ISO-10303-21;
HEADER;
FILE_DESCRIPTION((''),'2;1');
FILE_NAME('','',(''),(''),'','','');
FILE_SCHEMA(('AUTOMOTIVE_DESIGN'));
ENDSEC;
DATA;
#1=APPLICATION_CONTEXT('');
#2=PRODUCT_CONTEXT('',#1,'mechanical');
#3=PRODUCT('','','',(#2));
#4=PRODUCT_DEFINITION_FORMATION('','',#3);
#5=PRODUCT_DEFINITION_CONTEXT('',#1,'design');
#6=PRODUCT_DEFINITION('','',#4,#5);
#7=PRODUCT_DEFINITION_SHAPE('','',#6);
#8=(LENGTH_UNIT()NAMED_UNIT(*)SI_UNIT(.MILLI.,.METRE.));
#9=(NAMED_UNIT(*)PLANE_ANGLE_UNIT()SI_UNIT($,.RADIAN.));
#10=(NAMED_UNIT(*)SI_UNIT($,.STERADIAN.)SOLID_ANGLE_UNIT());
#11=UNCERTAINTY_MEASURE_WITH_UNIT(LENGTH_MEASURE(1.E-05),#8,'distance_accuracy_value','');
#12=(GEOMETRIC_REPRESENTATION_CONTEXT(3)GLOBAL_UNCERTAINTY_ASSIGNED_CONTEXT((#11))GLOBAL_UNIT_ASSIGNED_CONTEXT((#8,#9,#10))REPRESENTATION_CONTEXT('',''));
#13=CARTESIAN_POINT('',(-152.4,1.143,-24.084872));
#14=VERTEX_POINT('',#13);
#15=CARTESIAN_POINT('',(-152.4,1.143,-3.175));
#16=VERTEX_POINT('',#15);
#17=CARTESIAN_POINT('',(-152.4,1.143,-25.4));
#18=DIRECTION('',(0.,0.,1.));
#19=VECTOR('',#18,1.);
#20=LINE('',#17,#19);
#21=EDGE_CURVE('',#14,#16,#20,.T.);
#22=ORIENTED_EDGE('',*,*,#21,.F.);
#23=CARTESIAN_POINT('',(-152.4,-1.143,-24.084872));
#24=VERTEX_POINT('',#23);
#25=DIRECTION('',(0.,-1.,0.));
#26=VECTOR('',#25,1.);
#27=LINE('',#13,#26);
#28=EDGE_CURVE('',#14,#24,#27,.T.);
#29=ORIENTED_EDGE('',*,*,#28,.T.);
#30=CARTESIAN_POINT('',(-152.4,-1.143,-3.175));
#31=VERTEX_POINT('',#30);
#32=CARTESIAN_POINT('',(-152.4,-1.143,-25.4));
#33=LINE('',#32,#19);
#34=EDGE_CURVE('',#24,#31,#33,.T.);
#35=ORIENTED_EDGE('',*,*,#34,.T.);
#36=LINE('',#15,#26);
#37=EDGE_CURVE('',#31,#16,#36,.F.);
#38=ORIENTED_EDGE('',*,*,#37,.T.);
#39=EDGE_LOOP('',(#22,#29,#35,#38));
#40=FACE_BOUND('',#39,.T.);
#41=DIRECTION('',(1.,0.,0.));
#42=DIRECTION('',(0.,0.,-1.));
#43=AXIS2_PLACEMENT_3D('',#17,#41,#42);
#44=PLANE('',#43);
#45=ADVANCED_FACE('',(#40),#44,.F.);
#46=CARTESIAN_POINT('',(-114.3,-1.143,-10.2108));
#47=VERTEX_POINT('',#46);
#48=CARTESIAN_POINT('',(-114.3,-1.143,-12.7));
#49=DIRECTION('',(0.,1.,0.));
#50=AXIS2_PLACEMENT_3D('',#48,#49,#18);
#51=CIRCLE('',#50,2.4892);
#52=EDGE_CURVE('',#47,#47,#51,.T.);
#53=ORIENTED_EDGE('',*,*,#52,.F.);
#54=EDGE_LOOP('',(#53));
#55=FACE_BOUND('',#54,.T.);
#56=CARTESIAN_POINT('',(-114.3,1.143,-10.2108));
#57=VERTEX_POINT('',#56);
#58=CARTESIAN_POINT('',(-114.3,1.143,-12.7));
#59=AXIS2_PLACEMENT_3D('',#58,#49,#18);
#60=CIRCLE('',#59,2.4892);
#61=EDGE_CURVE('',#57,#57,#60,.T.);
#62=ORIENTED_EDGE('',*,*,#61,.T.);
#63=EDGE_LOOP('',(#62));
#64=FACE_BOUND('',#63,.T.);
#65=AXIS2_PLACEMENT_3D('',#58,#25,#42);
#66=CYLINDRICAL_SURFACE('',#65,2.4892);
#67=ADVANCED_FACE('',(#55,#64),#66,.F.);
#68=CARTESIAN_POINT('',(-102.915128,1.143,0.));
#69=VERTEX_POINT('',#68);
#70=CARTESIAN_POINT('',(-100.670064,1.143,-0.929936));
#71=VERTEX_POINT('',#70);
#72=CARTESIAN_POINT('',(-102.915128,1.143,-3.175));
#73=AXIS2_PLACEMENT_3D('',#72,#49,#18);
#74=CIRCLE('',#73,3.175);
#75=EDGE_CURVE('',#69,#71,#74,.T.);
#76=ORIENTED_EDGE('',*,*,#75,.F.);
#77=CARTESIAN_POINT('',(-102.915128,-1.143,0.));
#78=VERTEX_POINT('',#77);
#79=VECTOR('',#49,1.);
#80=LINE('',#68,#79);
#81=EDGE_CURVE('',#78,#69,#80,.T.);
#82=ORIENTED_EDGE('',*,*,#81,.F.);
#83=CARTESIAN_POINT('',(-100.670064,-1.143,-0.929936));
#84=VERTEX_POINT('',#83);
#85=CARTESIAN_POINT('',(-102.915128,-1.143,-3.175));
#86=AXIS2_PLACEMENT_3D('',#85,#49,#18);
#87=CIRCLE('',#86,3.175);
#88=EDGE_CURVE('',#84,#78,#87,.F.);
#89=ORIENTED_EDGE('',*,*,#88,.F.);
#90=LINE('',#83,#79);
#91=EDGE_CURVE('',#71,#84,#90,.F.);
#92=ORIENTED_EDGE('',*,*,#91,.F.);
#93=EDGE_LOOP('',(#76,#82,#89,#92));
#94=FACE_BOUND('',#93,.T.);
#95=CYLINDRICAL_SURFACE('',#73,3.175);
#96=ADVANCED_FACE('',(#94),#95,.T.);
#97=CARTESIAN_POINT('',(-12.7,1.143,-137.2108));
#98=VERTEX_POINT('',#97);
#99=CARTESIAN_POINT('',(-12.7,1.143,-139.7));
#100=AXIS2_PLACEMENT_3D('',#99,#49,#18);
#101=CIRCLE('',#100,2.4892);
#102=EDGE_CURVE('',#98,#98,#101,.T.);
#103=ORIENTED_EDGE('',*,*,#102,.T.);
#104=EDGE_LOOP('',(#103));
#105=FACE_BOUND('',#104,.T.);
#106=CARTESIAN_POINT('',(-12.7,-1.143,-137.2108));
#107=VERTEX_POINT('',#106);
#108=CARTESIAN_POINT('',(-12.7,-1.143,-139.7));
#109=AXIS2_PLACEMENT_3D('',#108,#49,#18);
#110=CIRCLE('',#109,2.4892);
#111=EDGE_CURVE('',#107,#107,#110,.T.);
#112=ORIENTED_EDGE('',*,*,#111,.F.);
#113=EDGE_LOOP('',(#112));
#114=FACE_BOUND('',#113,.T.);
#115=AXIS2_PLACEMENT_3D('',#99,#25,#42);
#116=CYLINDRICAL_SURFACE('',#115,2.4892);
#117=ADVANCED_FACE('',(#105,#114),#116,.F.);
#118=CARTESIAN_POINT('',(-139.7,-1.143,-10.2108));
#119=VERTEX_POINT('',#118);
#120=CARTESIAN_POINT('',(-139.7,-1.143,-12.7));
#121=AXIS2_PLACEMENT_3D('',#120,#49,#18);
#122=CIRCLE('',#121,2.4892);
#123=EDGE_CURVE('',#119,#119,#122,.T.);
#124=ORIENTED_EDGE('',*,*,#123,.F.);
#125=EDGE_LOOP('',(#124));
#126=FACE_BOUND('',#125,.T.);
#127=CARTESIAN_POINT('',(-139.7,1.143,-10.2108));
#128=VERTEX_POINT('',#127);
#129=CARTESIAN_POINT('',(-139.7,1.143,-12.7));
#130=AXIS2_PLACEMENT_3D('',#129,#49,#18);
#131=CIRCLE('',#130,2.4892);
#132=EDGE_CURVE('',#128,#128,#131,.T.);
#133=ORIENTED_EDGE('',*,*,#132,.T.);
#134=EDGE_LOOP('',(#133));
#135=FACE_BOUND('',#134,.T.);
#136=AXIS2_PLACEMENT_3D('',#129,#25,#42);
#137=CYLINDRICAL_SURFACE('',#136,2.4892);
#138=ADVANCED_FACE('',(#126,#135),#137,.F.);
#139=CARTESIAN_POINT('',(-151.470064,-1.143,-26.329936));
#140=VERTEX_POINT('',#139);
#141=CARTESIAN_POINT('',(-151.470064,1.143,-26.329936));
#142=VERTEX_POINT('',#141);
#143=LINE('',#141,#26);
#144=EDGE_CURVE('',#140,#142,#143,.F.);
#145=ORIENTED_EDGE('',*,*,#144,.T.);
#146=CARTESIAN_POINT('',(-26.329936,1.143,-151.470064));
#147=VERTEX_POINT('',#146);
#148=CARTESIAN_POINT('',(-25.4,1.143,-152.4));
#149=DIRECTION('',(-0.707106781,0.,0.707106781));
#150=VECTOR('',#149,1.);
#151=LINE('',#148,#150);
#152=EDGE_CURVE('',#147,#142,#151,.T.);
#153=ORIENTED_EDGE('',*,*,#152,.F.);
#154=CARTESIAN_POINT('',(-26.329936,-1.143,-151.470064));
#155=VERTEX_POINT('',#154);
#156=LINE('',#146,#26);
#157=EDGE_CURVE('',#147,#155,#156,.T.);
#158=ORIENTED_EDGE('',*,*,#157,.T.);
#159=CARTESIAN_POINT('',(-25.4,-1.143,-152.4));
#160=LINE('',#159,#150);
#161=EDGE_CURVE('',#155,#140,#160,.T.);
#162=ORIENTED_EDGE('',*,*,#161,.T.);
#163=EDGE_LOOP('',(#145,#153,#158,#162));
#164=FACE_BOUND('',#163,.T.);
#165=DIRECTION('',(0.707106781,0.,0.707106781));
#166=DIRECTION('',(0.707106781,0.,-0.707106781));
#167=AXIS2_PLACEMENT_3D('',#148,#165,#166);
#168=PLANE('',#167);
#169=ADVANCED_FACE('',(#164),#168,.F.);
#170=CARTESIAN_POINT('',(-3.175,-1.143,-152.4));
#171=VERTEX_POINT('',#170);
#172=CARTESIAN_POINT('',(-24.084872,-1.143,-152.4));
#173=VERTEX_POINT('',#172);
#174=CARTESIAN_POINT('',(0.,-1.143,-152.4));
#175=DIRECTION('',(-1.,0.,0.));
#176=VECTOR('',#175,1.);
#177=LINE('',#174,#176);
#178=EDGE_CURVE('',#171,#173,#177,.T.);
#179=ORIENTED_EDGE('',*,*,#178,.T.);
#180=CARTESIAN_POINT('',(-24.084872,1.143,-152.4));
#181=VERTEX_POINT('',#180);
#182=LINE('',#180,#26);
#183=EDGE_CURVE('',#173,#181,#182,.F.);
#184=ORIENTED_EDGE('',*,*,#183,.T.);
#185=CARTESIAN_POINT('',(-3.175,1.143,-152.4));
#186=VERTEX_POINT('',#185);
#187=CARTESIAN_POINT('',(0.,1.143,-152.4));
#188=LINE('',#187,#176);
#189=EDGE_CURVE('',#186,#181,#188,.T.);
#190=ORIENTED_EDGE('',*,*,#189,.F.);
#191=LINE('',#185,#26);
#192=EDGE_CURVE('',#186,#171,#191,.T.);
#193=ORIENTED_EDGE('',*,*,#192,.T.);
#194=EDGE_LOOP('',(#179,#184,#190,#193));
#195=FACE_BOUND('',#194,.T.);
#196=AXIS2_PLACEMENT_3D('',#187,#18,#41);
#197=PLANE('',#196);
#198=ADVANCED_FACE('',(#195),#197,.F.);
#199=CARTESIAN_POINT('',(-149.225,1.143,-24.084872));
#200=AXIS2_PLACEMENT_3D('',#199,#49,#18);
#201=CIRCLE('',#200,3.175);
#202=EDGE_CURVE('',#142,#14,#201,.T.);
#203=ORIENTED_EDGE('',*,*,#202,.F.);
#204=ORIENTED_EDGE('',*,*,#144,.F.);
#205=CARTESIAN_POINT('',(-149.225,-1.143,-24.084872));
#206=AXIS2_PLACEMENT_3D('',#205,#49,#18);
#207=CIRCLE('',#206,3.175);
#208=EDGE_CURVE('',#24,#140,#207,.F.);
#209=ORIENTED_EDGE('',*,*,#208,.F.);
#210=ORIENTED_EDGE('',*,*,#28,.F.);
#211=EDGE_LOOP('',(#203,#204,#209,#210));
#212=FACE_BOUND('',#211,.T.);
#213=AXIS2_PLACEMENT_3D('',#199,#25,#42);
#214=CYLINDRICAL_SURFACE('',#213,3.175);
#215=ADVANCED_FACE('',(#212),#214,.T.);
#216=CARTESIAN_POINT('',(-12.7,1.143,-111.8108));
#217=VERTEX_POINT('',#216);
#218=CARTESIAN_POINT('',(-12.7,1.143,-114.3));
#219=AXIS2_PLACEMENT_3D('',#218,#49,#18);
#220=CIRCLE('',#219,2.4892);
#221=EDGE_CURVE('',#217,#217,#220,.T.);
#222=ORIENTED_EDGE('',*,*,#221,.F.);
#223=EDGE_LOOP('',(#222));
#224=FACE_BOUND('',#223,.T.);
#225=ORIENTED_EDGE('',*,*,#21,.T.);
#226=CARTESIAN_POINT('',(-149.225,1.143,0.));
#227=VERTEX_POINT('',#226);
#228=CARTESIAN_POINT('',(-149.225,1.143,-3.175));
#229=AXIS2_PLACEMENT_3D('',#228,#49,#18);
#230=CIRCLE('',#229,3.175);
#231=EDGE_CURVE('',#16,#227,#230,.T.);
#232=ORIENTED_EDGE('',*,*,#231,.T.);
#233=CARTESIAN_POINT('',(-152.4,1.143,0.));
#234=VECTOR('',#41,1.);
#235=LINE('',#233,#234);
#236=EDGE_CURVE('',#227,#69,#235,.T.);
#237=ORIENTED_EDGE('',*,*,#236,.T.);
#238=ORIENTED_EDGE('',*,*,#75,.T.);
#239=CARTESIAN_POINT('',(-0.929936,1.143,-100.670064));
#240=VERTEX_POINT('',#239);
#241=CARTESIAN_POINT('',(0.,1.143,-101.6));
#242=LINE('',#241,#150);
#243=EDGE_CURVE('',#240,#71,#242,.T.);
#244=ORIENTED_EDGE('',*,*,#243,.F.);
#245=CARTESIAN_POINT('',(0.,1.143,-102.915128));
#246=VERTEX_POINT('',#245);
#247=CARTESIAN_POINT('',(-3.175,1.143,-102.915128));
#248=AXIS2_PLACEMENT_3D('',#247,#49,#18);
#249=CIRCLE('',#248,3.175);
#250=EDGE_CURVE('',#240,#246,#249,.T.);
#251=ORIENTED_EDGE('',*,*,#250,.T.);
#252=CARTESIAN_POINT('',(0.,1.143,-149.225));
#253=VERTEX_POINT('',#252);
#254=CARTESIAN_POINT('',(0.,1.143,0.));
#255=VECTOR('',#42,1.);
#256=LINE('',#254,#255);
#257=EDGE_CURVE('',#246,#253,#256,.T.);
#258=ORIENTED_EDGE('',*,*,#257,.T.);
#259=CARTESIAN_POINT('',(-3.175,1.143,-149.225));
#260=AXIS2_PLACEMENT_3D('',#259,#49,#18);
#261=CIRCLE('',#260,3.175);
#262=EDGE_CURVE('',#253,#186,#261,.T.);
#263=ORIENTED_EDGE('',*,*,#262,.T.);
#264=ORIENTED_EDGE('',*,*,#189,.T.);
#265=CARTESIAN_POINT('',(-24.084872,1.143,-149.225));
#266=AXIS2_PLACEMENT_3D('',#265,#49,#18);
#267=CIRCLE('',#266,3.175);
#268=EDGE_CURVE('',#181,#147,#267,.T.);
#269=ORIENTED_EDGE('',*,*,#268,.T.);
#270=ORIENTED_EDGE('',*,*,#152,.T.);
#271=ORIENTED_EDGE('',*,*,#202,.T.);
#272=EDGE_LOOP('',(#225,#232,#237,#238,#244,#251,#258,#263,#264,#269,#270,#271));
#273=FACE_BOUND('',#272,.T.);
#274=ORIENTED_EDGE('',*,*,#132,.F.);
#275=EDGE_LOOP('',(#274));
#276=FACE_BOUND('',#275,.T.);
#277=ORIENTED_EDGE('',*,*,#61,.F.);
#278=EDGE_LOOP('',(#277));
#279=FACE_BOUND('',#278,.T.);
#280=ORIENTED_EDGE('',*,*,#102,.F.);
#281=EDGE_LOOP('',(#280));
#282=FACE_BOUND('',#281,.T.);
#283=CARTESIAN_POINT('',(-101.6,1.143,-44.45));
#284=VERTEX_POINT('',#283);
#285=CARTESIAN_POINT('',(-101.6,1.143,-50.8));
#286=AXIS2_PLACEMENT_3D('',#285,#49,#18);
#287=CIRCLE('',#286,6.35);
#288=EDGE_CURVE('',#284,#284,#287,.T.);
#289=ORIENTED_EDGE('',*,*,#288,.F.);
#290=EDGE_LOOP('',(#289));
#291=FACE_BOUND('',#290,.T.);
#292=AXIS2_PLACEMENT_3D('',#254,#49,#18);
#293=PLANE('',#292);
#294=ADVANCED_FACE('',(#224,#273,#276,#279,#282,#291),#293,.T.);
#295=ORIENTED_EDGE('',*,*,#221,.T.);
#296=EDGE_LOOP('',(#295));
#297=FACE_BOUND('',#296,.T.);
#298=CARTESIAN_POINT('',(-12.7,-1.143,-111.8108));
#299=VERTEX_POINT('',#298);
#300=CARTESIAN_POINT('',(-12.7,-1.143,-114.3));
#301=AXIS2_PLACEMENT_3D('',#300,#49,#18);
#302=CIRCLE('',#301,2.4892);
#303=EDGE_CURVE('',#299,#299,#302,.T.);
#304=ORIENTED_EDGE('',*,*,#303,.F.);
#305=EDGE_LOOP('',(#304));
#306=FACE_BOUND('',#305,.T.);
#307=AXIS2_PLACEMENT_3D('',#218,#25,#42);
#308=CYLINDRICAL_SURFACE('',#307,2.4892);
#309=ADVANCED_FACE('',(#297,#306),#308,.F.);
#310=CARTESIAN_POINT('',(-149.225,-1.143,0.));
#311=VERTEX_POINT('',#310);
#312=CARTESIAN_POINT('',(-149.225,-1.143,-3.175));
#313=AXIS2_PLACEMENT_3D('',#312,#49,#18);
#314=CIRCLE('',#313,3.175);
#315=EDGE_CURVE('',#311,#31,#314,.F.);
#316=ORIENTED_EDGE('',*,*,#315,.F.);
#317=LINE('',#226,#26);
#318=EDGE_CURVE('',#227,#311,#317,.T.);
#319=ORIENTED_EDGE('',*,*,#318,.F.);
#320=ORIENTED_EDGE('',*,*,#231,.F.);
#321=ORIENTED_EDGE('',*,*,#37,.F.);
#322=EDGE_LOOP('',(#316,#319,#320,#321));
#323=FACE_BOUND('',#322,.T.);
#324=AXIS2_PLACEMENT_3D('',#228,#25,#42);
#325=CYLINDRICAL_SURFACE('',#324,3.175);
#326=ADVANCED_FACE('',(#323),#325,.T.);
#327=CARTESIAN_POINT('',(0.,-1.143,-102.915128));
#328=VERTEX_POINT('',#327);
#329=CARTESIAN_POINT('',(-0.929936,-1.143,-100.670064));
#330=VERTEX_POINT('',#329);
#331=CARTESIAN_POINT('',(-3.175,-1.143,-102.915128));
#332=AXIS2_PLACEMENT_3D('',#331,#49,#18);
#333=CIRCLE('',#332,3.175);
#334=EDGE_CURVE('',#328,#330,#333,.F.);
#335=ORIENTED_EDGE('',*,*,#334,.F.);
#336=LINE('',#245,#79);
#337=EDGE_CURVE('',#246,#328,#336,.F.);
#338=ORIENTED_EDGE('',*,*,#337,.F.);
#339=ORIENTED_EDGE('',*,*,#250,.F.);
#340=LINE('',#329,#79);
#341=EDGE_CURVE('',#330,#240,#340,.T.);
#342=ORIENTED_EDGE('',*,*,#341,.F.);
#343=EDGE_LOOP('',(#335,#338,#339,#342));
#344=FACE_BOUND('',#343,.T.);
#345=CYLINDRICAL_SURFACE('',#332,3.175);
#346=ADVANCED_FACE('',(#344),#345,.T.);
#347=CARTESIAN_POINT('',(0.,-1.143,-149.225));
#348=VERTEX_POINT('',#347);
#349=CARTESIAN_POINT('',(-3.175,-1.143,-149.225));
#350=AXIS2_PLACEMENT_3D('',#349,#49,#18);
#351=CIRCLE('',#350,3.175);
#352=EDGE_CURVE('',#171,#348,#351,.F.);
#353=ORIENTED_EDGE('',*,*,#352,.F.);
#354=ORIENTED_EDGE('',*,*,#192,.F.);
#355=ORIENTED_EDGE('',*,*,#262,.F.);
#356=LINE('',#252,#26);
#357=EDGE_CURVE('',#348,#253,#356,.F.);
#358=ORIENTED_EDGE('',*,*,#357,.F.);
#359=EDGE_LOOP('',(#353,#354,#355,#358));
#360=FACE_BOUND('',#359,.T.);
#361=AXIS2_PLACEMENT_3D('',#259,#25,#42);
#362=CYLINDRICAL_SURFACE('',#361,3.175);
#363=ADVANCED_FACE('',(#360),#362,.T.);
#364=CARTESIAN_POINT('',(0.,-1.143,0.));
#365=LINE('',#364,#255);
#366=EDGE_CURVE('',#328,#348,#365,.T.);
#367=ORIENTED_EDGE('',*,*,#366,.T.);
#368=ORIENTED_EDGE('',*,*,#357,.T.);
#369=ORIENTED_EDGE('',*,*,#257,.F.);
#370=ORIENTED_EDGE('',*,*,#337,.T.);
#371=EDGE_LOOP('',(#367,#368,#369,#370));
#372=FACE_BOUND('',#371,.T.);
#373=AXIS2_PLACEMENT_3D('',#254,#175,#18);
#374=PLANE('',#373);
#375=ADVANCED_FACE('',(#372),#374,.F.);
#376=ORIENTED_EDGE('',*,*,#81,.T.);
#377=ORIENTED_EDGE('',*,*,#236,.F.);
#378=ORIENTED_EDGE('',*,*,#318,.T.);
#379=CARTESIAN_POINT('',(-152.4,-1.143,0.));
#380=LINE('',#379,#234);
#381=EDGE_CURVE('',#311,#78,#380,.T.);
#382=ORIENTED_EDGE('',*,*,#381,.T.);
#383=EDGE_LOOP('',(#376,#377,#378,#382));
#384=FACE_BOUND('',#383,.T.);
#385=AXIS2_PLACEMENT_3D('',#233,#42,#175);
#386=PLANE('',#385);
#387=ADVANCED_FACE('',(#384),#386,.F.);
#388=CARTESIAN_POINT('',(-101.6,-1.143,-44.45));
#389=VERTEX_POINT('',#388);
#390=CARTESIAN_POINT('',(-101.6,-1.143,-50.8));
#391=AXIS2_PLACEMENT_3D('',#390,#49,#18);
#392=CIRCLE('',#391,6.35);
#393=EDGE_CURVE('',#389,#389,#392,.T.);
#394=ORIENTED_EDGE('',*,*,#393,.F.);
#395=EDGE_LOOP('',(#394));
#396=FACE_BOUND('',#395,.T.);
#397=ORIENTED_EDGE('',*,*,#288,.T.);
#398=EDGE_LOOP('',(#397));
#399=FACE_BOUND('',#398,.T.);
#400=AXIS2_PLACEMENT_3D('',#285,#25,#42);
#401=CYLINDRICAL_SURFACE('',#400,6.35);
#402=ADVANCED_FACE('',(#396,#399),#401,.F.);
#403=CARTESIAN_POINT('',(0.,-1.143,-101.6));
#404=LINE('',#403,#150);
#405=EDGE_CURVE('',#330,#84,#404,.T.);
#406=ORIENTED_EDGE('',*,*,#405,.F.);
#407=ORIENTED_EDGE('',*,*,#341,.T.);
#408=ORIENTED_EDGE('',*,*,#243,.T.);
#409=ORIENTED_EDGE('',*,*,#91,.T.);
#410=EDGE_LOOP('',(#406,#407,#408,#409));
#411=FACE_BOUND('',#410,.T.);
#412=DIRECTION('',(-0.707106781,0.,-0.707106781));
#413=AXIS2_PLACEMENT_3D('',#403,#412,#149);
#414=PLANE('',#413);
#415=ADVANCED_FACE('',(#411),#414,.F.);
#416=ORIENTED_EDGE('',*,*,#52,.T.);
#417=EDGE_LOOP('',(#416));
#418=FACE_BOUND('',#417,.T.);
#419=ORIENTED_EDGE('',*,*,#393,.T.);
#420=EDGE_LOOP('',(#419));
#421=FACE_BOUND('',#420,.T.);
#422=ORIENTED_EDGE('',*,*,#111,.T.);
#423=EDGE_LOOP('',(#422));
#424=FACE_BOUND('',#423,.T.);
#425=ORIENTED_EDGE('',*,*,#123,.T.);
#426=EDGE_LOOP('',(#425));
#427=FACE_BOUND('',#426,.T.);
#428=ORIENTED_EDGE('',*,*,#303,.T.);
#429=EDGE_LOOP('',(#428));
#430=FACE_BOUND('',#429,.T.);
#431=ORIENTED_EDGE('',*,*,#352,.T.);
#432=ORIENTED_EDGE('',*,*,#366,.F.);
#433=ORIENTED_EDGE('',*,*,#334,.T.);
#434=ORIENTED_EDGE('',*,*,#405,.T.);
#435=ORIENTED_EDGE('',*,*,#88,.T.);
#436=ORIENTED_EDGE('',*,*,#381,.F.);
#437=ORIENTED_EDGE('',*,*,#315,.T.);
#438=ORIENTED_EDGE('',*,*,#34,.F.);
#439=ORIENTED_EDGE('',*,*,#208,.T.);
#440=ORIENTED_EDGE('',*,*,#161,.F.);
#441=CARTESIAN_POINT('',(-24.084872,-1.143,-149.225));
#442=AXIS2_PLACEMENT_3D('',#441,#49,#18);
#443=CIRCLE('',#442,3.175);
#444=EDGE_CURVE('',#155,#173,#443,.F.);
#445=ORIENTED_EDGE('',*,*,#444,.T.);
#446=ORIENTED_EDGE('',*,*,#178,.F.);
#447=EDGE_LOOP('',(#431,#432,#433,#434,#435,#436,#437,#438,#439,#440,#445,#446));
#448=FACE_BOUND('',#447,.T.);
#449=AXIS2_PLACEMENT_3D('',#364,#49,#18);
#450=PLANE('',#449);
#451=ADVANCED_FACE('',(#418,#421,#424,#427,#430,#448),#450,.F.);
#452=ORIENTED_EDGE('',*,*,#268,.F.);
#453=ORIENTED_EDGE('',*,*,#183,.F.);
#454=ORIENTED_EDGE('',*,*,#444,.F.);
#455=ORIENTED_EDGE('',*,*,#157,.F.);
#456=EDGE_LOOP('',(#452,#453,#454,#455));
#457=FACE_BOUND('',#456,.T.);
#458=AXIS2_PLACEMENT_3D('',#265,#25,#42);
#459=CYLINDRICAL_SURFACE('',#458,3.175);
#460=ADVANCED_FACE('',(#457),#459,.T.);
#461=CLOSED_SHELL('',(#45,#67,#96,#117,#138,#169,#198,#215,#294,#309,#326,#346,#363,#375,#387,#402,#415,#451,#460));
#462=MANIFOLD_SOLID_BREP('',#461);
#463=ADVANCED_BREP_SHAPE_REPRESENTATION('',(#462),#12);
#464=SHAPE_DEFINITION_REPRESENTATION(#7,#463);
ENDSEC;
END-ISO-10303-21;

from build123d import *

# Parameters (mm, degrees)
SKETCH1_R           = 2.4892
SKETCH1_R_2         = 6.35
BOSS_EXTRUDE2_DEPTH = 1.143
CUT_EXTRUDE1_DEPTH  = 216.53826991
BOSS_EXTRUDE3_DEPTH = 2.286
FILLET3_R           = 3.175


with BuildPart() as part:
    # Sketch1 → Boss-Extrude2 (new, symmetric)
    with BuildSketch(Plane(origin=(0, 0, 0), x_dir=(1, 0, 0), z_dir=(0, 1, 0))):
        Polygon((0, 0), (0, 152.4), (-25.4, 152.4), (-152.4, 25.4), (-152.4, 0), align=None)
        with Locations(Location((-12.7, 12.7, 0), (0, 0, 270))):
            Circle(SKETCH1_R, mode=Mode.SUBTRACT)
        with Locations(Location((-38.1, 12.7, 0), (0, 0, 270))):
            Circle(SKETCH1_R, mode=Mode.SUBTRACT)
        with Locations(Location((-63.5, 12.7, 0), (0, 0, 270))):
            Circle(SKETCH1_R, mode=Mode.SUBTRACT)
        with Locations(Location((-88.9, 12.7, 0), (0, 0, 270))):
            Circle(SKETCH1_R, mode=Mode.SUBTRACT)
        with Locations(Location((-114.3, 12.7, 0), (0, 0, 270))):
            Circle(SKETCH1_R, mode=Mode.SUBTRACT)
        with Locations(Location((-12.7, 38.1, 0), (0, 0, 270))):
            Circle(SKETCH1_R, mode=Mode.SUBTRACT)
        with Locations(Location((-12.7, 63.5, 0), (0, 0, 270))):
            Circle(SKETCH1_R, mode=Mode.SUBTRACT)
        with Locations(Location((-12.7, 88.9, 0), (0, 0, 270))):
            Circle(SKETCH1_R, mode=Mode.SUBTRACT)
        with Locations(Location((-12.7, 114.3, 0), (0, 0, 270))):
            Circle(SKETCH1_R, mode=Mode.SUBTRACT)
        with Locations(Location((-139.7, 12.7, 0), (0, 0, 270))):
            Circle(SKETCH1_R, mode=Mode.SUBTRACT)
        with Locations(Location((-12.7, 139.7, 0), (0, 0, 270))):
            Circle(SKETCH1_R, mode=Mode.SUBTRACT)
        with Locations(Location((-101.6, 50.8, 0), (0, 0, 270))):
            Circle(SKETCH1_R_2, mode=Mode.SUBTRACT)
    extrude(amount=BOSS_EXTRUDE2_DEPTH, both=True)

    # Sketch2 → Cut-Extrude1 (cut, through all)
    with BuildSketch(Plane(origin=(0, 1.143, 0), x_dir=(1, 0, 0), z_dir=(0, 1, 0))):
        Polygon((0, 0), (0, 101.6), (-101.6, 0), align=None)
    extrude(amount=-CUT_EXTRUDE1_DEPTH, mode=Mode.SUBTRACT)

    # Sketch3 → Boss-Extrude3 (add)
    with BuildSketch(Plane(origin=(0, 1.143, 0), x_dir=(1, 0, 0), z_dir=(0, 1, 0))):
        Polygon((-101.6, 0), (-101.6, 15.120409187), (-15.612291765, 101.108117422), (0, 101.6), align=None)
    extrude(amount=-BOSS_EXTRUDE3_DEPTH)

    # Fillet3
    fillet3_edges = [part.edges().sort_by_distance(p)[0] for p in [
        (-101.6, 0, 0),
        (0, 0, -101.6),
        (-152.4, 0, 0),
        (-152.4, 0, -25.4),
        (-25.4, 0, -152.4),
        (0, 0, -152.4),
    ]]
    fillet(fillet3_edges, radius=FILLET3_R)


solid = part.part
